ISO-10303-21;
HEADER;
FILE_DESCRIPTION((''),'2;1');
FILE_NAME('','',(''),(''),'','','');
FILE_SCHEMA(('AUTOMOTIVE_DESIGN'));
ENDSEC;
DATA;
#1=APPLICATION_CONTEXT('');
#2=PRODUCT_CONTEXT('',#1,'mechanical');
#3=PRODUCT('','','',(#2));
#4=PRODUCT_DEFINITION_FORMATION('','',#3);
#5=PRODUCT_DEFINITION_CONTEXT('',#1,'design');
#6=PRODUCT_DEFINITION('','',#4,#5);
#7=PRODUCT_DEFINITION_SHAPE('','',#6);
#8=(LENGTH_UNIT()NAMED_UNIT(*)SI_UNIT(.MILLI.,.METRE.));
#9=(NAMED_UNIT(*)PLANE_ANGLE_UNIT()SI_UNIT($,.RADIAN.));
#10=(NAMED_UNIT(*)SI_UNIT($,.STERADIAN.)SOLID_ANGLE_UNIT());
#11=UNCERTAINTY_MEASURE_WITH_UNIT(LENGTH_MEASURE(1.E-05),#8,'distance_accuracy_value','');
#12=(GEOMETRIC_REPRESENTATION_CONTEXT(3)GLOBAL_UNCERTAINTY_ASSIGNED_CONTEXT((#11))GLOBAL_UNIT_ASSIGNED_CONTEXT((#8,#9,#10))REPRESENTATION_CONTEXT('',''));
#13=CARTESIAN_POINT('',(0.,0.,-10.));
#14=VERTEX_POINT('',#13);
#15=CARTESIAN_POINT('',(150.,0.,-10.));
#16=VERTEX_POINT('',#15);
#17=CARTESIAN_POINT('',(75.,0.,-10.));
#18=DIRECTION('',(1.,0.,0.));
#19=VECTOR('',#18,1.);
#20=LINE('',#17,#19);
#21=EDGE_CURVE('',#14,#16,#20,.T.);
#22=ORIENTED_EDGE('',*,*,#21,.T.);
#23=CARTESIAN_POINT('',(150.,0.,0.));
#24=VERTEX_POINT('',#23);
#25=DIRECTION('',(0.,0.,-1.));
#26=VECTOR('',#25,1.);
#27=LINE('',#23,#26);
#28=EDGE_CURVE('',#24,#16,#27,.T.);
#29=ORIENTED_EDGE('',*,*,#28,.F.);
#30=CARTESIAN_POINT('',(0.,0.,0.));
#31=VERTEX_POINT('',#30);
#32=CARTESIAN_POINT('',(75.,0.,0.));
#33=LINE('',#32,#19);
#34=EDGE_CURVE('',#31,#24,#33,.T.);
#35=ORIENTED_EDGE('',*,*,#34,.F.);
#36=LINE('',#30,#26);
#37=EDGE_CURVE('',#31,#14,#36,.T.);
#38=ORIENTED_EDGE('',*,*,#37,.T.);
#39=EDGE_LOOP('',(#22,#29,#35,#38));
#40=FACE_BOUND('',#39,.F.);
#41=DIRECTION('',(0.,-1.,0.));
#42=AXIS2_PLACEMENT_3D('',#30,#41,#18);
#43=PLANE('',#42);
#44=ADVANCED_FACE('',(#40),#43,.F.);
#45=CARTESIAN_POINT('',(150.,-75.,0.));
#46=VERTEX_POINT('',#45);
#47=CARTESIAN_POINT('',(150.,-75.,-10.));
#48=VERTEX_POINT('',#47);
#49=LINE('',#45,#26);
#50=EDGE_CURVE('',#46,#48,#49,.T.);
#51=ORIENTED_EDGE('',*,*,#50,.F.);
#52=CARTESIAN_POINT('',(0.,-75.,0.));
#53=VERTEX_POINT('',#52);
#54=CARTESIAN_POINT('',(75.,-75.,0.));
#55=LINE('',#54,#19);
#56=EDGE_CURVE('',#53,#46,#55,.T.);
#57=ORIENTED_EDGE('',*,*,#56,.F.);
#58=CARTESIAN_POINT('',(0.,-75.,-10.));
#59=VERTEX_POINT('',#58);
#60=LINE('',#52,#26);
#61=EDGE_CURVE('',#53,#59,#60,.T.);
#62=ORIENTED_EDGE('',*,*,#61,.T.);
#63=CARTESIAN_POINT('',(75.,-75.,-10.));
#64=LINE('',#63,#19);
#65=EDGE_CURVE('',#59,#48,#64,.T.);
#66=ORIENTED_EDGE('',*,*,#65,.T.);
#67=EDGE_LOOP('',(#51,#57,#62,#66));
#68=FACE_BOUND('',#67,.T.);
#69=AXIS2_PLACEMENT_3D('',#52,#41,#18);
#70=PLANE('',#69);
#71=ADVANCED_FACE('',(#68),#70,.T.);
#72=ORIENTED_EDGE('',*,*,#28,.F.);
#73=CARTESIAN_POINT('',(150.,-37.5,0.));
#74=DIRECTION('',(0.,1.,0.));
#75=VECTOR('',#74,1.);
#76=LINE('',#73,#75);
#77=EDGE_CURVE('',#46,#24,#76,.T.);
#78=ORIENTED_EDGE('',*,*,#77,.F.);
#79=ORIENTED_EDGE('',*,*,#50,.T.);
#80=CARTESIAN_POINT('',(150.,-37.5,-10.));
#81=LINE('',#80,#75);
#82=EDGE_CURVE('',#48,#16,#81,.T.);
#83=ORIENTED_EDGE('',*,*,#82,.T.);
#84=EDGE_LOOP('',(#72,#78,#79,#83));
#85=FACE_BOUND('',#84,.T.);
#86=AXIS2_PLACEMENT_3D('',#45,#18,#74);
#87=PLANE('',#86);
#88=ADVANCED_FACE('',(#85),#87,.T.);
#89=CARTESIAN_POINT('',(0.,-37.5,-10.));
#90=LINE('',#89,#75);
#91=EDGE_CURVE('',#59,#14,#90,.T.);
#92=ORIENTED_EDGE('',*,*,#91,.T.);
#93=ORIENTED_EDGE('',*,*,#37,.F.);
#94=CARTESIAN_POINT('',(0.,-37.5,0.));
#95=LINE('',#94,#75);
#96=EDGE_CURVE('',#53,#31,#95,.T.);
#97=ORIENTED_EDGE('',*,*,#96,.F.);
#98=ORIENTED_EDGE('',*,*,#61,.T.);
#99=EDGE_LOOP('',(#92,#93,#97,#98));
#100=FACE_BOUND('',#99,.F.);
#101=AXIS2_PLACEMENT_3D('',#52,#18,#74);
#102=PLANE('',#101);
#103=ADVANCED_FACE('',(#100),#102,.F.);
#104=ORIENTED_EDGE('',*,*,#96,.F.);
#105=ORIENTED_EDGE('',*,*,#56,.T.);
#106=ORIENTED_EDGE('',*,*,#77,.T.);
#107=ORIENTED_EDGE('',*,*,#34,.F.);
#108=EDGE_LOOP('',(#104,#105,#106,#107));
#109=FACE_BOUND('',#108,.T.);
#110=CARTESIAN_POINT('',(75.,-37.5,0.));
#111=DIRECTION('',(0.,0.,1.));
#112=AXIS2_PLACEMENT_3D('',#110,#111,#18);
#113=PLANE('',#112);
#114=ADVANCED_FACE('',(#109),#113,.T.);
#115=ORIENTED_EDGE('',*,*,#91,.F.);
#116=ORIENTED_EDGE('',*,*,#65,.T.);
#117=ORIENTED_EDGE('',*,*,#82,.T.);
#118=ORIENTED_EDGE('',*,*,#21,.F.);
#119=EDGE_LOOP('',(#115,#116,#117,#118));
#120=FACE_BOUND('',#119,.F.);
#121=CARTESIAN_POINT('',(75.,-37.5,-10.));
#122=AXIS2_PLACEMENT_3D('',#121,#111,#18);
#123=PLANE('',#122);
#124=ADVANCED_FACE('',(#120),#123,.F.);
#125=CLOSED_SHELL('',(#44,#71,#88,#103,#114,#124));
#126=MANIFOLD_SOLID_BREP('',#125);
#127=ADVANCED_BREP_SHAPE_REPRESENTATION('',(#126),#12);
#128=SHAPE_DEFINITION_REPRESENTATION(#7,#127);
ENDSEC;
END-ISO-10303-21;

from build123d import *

# Parameters (mm, degrees)
SKETCH_W  = 150
SKETCH_H  = 75
PAD_DEPTH = 10


with BuildPart() as part:
    # Sketch → Pad (new body)
    with BuildSketch(Plane.XY):
        with Locations((75, -37.5)):
            Rectangle(SKETCH_W, SKETCH_H)
    extrude(amount=-PAD_DEPTH)


solid = part.part
